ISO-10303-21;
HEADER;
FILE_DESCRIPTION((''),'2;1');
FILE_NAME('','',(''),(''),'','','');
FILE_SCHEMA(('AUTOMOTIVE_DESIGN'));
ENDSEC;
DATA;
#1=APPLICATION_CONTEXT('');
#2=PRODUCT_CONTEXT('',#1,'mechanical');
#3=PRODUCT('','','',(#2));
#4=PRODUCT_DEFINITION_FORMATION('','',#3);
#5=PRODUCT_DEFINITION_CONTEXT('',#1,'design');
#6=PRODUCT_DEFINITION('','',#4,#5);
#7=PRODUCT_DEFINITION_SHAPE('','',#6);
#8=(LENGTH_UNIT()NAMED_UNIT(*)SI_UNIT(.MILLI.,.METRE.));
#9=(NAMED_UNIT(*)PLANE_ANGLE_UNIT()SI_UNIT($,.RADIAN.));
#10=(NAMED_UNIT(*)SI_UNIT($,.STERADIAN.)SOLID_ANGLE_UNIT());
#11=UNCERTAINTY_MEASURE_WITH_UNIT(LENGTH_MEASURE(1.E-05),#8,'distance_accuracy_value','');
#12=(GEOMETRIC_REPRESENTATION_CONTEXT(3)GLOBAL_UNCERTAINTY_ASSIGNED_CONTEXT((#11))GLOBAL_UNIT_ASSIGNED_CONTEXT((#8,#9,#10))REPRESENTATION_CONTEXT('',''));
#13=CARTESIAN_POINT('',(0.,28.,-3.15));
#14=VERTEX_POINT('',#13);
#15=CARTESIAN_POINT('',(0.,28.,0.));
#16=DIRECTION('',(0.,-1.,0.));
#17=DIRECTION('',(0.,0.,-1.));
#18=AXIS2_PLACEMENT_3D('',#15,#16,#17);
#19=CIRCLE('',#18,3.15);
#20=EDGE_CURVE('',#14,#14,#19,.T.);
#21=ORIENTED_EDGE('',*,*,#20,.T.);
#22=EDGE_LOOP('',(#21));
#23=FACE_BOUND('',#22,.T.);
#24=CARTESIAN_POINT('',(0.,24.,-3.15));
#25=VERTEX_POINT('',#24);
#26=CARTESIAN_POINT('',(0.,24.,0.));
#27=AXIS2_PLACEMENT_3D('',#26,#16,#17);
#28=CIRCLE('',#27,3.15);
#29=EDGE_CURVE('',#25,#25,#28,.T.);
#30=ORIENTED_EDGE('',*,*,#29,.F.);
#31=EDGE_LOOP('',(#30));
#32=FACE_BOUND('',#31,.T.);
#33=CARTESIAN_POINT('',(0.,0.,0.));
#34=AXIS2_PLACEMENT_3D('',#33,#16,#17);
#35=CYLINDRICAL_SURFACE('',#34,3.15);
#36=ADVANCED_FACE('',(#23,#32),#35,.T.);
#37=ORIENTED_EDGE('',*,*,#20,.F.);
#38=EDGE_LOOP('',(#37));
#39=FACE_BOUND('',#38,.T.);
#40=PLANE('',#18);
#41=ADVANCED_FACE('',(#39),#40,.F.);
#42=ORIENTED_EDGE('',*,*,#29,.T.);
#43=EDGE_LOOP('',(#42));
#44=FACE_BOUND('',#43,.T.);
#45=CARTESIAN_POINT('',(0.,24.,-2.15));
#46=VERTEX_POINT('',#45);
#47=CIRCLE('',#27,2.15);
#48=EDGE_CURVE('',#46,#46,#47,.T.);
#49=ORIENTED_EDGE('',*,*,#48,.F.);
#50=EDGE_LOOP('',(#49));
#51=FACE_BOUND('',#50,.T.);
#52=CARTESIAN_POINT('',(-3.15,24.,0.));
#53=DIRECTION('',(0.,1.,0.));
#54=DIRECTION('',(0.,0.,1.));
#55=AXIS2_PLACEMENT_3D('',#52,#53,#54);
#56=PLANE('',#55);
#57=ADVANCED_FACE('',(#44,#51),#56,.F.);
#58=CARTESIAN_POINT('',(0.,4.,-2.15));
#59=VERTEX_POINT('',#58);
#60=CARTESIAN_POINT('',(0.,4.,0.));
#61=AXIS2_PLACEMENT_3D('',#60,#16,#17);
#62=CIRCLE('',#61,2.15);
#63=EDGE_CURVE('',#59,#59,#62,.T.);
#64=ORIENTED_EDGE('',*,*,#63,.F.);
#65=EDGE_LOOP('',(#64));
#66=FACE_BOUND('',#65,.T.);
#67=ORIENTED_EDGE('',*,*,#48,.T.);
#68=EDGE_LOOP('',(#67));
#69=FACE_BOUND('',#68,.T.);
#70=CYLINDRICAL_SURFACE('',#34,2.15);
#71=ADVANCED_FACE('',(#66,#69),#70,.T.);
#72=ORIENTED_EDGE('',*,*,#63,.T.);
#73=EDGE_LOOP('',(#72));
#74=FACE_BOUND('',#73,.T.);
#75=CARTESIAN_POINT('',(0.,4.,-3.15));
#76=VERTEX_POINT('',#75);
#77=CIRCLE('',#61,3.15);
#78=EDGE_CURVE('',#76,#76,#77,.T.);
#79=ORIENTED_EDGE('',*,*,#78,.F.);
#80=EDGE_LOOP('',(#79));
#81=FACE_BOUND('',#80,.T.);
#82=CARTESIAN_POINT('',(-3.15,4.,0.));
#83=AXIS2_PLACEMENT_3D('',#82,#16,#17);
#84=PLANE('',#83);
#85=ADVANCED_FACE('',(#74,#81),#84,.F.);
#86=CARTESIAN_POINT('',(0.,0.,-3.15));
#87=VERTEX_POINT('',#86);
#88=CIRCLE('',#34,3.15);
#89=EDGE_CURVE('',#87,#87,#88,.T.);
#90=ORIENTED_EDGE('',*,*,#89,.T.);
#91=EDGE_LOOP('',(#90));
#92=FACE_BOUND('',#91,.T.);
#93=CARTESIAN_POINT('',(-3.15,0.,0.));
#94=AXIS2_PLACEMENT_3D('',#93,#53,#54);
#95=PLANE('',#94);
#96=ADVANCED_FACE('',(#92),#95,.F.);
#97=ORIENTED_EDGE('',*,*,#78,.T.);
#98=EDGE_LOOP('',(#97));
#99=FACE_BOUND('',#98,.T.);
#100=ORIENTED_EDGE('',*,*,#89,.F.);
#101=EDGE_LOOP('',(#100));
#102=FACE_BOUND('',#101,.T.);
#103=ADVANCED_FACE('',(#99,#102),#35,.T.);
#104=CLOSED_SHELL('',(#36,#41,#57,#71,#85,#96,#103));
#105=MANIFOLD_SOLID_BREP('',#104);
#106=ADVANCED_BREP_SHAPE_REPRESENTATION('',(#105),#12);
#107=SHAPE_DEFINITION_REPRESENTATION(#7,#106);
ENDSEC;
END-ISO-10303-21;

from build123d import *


with BuildPart() as part:
    # Sketch1 → Revolve1 (revolve)
    with BuildSketch(Plane.XY, mode=Mode.PRIVATE) as revolve1_sk:
        Polygon((0, 0), (0, 28), (-3.15, 28), (-3.15, 24), (-2.15, 24), (-2.15, 4), (-3.15, 4), (-3.15, 0), align=None)
    revolve(revolve1_sk.sketch.rotate(Axis((0, 0, 0), (0, 1, 0)), 270), axis=Axis((0, 0, 0), (0, 1, 0)))


solid = part.part
